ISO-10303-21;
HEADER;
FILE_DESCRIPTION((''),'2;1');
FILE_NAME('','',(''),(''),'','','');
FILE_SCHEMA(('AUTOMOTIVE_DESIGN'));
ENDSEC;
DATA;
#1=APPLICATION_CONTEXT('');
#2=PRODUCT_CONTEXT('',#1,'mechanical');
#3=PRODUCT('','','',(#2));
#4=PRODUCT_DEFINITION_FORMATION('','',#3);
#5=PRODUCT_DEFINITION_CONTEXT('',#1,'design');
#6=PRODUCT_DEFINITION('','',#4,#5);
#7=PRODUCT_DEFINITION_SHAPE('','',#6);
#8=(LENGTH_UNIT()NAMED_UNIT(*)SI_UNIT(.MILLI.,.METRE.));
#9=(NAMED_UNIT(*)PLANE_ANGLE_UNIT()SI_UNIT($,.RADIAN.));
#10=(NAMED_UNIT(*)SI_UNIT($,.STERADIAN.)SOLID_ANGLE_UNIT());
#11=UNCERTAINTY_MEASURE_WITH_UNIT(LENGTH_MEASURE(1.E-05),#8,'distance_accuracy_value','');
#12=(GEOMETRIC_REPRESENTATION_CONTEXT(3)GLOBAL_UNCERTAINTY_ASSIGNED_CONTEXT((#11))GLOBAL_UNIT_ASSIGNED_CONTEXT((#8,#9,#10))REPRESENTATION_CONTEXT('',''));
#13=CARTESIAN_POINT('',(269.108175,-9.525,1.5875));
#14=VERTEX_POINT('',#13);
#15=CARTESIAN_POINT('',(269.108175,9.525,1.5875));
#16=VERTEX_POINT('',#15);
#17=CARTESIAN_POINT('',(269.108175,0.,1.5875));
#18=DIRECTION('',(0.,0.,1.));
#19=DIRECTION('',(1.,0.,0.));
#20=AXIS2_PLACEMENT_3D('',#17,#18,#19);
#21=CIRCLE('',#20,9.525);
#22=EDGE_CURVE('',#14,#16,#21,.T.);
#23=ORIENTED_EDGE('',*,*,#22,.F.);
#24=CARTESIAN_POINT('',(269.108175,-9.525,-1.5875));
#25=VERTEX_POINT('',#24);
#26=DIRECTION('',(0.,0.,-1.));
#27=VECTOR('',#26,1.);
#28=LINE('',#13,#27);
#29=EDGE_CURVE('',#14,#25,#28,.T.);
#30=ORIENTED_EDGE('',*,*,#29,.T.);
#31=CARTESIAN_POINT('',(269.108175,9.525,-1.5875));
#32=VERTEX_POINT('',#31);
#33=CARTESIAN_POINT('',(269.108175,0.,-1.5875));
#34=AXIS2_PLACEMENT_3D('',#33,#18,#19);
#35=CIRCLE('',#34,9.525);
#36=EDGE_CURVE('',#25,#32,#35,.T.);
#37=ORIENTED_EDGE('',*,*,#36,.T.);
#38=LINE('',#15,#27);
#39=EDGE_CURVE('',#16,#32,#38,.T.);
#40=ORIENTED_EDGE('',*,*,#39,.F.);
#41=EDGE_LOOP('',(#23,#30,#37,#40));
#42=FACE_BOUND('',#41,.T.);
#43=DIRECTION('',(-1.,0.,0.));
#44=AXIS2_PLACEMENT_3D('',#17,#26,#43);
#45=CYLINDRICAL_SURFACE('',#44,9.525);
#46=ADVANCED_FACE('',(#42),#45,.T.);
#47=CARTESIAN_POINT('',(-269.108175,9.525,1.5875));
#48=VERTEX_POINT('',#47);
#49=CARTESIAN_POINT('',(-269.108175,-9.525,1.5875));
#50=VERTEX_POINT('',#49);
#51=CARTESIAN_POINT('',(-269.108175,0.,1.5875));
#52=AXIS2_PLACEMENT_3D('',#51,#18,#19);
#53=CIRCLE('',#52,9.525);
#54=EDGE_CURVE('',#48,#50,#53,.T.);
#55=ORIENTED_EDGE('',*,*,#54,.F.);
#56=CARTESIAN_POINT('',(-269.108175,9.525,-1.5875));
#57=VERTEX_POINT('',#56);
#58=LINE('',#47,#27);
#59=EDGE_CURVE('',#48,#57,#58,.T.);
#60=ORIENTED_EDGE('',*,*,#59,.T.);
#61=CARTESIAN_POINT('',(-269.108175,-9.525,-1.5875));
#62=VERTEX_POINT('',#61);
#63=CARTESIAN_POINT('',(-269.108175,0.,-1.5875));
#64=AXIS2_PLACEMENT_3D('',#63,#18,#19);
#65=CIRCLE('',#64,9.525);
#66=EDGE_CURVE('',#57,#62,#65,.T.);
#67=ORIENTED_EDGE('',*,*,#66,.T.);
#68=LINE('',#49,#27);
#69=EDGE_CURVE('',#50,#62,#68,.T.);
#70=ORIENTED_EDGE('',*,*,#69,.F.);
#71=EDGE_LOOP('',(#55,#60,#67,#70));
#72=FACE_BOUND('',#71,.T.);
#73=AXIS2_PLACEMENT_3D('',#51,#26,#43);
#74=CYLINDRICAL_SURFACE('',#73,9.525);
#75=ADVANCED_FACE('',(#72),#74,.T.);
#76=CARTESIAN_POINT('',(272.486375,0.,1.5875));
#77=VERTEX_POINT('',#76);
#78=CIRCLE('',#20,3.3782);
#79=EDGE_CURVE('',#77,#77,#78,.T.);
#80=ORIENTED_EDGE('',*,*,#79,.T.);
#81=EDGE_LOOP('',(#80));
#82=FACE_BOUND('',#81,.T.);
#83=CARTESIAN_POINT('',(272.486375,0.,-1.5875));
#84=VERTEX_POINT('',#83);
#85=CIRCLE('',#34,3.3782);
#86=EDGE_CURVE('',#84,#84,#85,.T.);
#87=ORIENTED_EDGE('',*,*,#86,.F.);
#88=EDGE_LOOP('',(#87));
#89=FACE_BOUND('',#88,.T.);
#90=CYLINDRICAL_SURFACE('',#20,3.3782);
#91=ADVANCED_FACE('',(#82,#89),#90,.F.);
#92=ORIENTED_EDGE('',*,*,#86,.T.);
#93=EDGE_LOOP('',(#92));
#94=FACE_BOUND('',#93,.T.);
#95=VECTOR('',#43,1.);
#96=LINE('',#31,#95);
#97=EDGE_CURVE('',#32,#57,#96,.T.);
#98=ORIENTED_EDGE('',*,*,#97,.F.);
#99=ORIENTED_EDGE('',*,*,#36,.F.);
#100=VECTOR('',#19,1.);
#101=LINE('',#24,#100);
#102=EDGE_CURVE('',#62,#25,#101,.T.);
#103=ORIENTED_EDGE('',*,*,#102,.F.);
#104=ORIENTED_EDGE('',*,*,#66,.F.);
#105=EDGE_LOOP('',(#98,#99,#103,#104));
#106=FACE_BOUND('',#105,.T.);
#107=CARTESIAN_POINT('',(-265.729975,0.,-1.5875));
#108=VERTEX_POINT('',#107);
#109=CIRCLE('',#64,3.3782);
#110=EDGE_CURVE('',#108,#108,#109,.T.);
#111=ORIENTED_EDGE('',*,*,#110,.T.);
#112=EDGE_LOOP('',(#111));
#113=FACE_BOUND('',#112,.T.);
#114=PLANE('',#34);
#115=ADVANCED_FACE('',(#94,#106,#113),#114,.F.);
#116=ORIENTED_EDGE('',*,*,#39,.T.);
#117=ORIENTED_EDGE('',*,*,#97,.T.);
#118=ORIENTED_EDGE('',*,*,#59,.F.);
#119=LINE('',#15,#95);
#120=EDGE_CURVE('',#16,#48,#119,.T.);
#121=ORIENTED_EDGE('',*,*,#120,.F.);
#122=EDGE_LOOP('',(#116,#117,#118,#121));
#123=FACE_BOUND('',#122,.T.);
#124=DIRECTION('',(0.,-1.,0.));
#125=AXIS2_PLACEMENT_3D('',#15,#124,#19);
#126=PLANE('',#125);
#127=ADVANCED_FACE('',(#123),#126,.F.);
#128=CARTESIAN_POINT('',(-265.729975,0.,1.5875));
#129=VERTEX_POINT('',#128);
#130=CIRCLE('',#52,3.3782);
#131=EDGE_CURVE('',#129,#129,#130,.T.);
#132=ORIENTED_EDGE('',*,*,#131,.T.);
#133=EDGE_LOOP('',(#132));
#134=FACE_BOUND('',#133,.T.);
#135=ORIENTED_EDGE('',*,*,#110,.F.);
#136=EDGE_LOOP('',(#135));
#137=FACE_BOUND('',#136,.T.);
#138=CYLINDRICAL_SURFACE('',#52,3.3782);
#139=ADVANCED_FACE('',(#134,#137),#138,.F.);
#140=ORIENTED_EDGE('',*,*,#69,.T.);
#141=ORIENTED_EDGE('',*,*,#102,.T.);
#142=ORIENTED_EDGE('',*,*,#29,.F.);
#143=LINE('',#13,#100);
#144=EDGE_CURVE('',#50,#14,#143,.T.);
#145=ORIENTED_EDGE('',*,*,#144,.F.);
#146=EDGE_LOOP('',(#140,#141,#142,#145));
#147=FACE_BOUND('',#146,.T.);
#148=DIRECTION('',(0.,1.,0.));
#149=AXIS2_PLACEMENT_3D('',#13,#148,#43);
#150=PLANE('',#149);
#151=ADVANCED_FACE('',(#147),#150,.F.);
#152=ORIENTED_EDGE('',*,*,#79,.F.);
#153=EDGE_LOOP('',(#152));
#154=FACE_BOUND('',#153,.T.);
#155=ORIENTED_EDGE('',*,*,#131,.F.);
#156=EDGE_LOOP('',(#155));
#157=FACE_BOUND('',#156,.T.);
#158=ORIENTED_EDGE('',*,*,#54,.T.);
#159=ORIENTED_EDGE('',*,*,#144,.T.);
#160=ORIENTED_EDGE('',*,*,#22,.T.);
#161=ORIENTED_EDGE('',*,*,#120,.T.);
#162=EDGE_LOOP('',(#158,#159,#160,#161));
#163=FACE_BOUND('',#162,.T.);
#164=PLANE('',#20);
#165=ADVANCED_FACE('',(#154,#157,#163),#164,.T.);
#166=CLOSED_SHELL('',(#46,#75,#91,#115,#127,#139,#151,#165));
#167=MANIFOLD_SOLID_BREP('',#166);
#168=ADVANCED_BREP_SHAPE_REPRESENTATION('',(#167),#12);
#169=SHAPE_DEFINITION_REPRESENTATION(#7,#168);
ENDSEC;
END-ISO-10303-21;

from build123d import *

# Parameters (mm, degrees)
BOSS_EXTRUDE1_DEPTH     = 1.5875
F_1_4_CLEARANCE_HOLE1_D = 6.7564


with BuildPart() as part:
    # Sketch2 → Boss-Extrude1 (new, symmetric)
    with BuildSketch(Plane.XY):
        with BuildLine():
            Line((269.108175275, -9.525), (-269.108175275, -9.525))
            ThreePointArc((-269.108175275, -9.525), (-278.633175275, 0), (-269.108175275, 9.525))
            Line((-269.108175275, 9.525), (269.108175275, 9.525))
            ThreePointArc((269.108175275, 9.525), (278.633175275, 0), (269.108175275, -9.525))
        make_face()
    extrude(amount=BOSS_EXTRUDE1_DEPTH, both=True)

    # 1/4 Clearance Hole1 (through all)
    with Locations(Plane.XY.offset(1.5875)):
        with Locations((-269.108175275, 0), (269.108175275, 0)):
            Hole(F_1_4_CLEARANCE_HOLE1_D / 2)


solid = part.part
